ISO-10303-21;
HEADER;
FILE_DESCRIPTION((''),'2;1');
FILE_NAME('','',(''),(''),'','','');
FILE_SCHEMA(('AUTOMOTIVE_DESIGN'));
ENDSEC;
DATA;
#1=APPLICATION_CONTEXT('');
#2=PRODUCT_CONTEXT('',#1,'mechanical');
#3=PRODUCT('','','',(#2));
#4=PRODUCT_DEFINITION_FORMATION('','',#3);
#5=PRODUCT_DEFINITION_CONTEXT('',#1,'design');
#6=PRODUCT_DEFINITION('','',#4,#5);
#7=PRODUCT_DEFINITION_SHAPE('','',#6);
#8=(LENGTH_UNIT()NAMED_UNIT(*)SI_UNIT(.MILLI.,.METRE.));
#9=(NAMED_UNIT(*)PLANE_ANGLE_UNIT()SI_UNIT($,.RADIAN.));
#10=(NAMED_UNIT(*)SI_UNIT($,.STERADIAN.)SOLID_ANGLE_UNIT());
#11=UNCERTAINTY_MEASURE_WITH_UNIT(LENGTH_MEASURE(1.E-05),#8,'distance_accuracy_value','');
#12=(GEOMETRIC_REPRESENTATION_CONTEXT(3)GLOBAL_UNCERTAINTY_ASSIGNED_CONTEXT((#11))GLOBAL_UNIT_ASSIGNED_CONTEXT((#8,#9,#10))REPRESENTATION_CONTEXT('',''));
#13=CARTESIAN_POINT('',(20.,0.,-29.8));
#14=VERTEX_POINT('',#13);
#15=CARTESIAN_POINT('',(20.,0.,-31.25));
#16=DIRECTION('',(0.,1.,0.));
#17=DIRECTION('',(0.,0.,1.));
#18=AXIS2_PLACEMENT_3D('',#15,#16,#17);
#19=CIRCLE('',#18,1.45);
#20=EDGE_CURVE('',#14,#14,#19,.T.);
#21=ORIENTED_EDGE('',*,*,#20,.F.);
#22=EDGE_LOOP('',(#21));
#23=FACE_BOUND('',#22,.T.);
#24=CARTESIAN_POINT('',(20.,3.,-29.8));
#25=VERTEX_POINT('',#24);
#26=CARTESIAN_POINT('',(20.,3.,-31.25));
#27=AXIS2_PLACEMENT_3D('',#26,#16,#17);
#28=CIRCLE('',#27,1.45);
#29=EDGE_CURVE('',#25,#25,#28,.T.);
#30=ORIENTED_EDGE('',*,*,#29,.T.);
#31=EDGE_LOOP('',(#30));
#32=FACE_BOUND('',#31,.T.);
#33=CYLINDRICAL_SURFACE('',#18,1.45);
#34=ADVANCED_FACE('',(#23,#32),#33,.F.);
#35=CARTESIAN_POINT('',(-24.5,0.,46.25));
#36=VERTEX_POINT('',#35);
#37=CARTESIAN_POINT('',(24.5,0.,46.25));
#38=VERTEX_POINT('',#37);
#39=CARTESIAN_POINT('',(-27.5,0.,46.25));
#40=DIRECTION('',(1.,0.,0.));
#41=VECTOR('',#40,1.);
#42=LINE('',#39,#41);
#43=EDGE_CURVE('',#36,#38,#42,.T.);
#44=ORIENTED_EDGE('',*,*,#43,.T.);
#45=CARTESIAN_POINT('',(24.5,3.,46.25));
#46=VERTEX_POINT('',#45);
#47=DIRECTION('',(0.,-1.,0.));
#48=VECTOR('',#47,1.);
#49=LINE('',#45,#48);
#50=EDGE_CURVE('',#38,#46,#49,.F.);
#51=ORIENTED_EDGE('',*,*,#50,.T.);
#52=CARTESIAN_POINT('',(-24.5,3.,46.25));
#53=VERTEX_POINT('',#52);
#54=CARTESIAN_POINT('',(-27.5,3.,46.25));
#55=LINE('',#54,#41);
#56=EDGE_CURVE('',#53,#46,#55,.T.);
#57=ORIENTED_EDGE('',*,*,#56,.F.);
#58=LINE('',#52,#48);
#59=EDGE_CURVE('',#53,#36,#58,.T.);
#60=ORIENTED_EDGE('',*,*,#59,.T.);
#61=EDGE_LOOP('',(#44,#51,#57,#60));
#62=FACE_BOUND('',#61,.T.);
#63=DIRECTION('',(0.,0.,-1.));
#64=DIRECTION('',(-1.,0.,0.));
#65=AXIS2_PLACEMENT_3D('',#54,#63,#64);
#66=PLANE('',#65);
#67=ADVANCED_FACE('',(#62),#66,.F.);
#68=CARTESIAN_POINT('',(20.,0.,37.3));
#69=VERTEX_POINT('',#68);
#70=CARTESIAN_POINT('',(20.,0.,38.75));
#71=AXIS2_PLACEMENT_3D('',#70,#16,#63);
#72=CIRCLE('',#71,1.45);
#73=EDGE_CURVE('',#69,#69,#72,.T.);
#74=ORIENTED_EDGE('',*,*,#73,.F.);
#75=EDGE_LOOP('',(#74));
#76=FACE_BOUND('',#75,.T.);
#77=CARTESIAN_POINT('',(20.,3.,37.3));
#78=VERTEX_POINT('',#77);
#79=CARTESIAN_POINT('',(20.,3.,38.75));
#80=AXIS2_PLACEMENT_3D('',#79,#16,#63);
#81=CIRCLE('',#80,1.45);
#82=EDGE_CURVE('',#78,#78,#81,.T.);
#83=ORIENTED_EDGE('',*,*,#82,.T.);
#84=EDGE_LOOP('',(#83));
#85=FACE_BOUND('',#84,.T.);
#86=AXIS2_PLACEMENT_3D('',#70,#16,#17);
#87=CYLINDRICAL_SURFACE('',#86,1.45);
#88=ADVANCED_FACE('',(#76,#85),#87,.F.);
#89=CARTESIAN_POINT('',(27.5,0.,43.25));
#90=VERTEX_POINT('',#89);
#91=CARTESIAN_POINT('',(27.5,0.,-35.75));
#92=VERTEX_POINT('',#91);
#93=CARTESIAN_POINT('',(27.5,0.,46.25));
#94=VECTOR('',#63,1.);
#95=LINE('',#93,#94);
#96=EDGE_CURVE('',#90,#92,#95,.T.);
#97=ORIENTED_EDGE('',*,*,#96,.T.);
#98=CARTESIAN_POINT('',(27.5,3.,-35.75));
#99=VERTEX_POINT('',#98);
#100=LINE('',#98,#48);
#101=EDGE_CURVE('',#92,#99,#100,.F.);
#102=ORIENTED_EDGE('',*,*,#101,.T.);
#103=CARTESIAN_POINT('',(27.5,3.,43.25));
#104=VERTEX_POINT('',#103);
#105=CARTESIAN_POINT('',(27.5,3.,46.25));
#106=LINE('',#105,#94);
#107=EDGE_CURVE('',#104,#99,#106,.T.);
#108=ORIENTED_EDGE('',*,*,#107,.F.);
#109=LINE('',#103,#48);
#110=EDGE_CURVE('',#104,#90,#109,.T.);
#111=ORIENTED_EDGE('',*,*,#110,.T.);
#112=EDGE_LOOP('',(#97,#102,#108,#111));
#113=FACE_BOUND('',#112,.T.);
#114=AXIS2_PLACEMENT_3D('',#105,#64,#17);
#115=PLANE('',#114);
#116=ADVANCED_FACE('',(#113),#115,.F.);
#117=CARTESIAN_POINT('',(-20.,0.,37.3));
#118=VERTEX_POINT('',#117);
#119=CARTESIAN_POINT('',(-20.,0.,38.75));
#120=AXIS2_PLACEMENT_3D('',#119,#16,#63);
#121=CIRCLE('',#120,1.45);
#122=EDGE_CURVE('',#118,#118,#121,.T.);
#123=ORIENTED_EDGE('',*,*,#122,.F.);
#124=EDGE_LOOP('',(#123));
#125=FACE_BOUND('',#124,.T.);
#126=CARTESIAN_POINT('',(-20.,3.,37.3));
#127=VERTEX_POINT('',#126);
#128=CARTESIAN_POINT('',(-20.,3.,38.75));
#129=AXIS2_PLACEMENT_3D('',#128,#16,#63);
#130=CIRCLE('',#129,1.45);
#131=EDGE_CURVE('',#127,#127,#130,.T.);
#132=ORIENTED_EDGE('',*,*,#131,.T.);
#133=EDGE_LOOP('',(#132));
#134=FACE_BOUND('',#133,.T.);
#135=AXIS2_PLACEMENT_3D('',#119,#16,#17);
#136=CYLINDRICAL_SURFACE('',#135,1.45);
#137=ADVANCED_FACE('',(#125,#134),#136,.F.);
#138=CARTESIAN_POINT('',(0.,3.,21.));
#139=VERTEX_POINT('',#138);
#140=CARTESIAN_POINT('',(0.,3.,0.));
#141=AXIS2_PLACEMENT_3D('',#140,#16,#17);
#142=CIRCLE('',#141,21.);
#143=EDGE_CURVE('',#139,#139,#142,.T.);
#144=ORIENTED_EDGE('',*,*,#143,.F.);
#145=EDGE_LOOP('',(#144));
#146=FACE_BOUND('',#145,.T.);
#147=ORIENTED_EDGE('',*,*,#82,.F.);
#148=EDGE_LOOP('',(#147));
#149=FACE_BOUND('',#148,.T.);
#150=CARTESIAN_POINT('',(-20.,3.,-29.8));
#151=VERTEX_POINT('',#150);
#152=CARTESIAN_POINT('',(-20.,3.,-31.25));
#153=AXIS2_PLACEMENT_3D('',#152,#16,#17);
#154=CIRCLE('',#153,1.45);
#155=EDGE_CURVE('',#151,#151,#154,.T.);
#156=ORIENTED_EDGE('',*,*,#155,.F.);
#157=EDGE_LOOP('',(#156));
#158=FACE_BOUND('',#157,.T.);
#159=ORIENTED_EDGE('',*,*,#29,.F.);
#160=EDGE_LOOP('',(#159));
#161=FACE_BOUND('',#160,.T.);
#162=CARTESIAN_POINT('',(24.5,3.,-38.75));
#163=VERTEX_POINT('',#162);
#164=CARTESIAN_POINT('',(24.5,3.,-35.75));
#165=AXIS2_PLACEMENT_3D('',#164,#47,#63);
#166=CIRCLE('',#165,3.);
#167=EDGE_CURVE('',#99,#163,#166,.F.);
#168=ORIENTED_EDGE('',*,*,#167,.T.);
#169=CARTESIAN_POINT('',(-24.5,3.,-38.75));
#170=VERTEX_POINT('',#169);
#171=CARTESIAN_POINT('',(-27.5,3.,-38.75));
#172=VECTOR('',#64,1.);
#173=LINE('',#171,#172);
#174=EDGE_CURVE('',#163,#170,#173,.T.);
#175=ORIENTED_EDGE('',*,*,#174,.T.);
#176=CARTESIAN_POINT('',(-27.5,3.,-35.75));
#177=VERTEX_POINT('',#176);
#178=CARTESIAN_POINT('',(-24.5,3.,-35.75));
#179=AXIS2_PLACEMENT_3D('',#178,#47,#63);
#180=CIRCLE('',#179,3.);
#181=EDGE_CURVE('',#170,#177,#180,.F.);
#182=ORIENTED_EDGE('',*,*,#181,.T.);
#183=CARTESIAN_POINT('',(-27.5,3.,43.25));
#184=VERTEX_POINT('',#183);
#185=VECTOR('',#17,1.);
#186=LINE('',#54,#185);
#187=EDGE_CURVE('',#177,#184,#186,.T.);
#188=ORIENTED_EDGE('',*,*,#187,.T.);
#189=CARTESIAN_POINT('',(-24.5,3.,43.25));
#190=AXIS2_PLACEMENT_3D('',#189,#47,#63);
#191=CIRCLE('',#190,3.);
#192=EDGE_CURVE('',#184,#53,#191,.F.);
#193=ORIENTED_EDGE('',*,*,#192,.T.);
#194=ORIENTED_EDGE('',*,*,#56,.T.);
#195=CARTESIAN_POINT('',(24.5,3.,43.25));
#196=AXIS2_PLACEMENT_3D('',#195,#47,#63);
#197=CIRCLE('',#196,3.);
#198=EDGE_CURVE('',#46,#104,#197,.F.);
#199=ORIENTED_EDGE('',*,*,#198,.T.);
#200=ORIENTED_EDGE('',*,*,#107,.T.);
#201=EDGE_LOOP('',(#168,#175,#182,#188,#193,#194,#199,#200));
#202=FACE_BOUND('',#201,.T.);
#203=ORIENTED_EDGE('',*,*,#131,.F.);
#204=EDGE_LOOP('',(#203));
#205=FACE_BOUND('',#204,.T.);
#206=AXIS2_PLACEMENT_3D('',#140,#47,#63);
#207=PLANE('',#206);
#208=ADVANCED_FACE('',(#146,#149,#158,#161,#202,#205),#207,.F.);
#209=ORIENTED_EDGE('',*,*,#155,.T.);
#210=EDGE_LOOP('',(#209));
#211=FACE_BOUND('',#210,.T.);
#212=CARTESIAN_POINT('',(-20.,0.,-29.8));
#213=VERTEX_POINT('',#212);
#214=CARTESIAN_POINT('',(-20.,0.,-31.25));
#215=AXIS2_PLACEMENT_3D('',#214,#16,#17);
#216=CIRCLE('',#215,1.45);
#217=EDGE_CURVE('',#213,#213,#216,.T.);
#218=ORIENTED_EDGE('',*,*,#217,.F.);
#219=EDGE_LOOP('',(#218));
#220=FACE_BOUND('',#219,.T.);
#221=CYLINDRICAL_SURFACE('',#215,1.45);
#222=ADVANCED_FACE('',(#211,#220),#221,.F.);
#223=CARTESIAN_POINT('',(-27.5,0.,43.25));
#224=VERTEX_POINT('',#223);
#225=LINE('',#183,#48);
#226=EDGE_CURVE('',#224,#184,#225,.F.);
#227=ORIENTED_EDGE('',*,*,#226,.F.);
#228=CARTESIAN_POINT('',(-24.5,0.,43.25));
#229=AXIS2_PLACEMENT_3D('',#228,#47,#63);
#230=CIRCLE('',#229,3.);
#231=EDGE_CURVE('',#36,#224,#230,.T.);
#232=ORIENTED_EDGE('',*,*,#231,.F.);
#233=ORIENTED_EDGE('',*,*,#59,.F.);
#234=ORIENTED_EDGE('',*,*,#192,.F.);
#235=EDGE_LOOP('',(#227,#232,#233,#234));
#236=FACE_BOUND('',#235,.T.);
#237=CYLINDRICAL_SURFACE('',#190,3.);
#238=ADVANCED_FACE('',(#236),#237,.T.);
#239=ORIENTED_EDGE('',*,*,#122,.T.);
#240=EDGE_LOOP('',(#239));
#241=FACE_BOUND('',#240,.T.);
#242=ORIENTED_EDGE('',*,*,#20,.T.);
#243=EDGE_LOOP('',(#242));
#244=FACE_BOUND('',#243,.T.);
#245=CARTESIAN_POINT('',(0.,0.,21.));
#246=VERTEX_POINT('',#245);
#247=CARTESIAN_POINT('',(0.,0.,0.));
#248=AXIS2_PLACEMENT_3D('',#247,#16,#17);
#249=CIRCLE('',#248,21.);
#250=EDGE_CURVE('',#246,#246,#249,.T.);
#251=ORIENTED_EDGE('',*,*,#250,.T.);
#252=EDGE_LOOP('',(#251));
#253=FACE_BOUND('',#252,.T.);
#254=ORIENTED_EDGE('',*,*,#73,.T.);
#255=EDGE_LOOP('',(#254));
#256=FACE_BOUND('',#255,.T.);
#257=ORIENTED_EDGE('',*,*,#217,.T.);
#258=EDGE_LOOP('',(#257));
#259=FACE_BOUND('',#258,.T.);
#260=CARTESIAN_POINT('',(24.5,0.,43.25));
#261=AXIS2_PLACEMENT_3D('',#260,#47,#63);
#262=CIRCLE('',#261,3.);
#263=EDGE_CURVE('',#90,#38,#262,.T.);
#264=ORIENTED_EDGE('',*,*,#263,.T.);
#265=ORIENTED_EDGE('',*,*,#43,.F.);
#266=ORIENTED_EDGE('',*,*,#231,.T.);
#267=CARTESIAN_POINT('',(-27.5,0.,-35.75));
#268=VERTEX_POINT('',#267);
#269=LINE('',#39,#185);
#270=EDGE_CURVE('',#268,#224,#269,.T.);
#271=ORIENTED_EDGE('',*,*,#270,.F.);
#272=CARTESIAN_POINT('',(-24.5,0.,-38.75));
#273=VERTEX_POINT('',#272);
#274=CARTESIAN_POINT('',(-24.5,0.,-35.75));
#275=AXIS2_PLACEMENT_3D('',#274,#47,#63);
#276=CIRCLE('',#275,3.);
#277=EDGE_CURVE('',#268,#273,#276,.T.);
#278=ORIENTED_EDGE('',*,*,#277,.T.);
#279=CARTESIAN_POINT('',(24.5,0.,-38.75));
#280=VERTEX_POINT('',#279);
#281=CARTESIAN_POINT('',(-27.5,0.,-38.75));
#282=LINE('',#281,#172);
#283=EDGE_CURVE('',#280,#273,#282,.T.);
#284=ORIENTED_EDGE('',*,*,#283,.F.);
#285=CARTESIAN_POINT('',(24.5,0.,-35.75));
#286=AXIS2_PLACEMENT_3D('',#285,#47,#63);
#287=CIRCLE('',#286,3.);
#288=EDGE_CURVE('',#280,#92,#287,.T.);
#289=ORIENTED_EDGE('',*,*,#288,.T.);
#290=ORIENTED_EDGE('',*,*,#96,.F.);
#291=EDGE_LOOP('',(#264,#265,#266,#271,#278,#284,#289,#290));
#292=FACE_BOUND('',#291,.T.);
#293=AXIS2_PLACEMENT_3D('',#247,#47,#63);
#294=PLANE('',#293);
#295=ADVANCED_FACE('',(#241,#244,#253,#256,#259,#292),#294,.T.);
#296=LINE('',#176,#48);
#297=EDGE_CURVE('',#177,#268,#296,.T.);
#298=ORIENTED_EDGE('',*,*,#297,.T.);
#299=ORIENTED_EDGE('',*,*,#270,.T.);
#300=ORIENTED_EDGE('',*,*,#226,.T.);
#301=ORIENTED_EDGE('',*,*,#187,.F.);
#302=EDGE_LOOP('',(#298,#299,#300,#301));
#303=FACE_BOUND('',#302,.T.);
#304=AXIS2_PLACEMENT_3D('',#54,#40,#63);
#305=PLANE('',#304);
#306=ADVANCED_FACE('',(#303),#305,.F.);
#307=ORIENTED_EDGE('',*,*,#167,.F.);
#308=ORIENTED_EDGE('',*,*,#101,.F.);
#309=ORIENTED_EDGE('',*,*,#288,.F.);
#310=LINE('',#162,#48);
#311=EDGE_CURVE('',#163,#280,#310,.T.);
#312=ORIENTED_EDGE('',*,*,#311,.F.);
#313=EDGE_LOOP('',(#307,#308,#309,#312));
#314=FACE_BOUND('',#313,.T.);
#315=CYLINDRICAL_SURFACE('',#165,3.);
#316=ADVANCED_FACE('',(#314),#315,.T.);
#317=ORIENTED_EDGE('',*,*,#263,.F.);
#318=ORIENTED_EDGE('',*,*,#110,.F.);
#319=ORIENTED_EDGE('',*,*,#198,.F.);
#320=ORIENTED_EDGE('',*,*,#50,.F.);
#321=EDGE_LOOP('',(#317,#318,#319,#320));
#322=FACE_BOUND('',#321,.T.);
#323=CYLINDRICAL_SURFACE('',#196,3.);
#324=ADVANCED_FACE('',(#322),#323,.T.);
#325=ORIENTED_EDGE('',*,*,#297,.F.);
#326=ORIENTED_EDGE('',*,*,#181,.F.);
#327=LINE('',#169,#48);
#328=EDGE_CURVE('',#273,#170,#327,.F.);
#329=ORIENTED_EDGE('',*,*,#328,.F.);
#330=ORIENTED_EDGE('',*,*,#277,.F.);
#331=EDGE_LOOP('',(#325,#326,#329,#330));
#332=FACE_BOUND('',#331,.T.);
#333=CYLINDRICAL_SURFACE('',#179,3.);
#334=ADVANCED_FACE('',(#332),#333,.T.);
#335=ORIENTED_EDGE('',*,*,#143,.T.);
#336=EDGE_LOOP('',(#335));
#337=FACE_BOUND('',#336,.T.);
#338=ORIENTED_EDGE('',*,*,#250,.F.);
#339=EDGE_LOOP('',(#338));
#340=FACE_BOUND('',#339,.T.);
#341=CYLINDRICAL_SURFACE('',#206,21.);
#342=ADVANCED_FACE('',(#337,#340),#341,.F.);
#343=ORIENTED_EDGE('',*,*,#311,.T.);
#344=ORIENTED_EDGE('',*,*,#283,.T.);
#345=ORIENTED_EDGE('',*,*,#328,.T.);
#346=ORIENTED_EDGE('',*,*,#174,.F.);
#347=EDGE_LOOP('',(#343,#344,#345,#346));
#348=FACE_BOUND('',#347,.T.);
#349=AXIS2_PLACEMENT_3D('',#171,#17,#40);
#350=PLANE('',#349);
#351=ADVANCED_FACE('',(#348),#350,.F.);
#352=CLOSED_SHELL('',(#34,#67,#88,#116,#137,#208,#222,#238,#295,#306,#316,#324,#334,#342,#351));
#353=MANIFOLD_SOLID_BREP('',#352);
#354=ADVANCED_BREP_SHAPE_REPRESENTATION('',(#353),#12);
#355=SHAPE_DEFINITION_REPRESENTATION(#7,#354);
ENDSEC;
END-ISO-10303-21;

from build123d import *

# Parameters (mm, degrees)
SKETCH_1_W          = 55
SKETCH_1_H          = 85
SKETCH_1_R          = 21
EXTRUDE_1_DEPTH     = 3
SKETCH_2_R          = 1.45
CUT_EXTRUDE_1_DEPTH = 3
FILLET_1_R          = 3


with BuildPart() as part:
    # 草图1 → 凸台-拉伸1 (new body)
    with BuildSketch(Plane(origin=(0, 0, 0), x_dir=(1, 0, 0), z_dir=(0, 1, 0))):
        with Locations((0, -3.75)):
            Rectangle(SKETCH_1_W, SKETCH_1_H)
        with Locations(Location((0, 0, 0), (0, 0, 270))):
            Circle(SKETCH_1_R, mode=Mode.SUBTRACT)
    extrude(amount=EXTRUDE_1_DEPTH)

    # 草图2 → 切除-拉伸1 (cut)
    with BuildSketch(Plane(origin=(0, 3, 0), x_dir=(1, 0, 0), z_dir=(0, 1, 0))):
        with Locations(Location((-20, 31.25, 0), (0, 0, 270))):
            Circle(SKETCH_2_R)
        with Locations(Location((20, 31.25, 0), (0, 0, 270))):
            Circle(SKETCH_2_R)
        with Locations(Location((-20, -38.75, 0), (0, 0, 90))):
            Circle(SKETCH_2_R)
        with Locations(Location((20, -38.75, 0), (0, 0, 90))):
            Circle(SKETCH_2_R)
    extrude(amount=-CUT_EXTRUDE_1_DEPTH, mode=Mode.SUBTRACT)

    # 圆角1
    fillet_1_edges = [part.edges().sort_by_distance(p)[0] for p in [
        (27.5, 1.5, 46.25),
        (-27.5, 1.5, 46.25),
        (-27.5, 1.5, -38.75),
        (27.5, 1.5, -38.75),
    ]]
    fillet(fillet_1_edges, radius=FILLET_1_R)


solid = part.part
